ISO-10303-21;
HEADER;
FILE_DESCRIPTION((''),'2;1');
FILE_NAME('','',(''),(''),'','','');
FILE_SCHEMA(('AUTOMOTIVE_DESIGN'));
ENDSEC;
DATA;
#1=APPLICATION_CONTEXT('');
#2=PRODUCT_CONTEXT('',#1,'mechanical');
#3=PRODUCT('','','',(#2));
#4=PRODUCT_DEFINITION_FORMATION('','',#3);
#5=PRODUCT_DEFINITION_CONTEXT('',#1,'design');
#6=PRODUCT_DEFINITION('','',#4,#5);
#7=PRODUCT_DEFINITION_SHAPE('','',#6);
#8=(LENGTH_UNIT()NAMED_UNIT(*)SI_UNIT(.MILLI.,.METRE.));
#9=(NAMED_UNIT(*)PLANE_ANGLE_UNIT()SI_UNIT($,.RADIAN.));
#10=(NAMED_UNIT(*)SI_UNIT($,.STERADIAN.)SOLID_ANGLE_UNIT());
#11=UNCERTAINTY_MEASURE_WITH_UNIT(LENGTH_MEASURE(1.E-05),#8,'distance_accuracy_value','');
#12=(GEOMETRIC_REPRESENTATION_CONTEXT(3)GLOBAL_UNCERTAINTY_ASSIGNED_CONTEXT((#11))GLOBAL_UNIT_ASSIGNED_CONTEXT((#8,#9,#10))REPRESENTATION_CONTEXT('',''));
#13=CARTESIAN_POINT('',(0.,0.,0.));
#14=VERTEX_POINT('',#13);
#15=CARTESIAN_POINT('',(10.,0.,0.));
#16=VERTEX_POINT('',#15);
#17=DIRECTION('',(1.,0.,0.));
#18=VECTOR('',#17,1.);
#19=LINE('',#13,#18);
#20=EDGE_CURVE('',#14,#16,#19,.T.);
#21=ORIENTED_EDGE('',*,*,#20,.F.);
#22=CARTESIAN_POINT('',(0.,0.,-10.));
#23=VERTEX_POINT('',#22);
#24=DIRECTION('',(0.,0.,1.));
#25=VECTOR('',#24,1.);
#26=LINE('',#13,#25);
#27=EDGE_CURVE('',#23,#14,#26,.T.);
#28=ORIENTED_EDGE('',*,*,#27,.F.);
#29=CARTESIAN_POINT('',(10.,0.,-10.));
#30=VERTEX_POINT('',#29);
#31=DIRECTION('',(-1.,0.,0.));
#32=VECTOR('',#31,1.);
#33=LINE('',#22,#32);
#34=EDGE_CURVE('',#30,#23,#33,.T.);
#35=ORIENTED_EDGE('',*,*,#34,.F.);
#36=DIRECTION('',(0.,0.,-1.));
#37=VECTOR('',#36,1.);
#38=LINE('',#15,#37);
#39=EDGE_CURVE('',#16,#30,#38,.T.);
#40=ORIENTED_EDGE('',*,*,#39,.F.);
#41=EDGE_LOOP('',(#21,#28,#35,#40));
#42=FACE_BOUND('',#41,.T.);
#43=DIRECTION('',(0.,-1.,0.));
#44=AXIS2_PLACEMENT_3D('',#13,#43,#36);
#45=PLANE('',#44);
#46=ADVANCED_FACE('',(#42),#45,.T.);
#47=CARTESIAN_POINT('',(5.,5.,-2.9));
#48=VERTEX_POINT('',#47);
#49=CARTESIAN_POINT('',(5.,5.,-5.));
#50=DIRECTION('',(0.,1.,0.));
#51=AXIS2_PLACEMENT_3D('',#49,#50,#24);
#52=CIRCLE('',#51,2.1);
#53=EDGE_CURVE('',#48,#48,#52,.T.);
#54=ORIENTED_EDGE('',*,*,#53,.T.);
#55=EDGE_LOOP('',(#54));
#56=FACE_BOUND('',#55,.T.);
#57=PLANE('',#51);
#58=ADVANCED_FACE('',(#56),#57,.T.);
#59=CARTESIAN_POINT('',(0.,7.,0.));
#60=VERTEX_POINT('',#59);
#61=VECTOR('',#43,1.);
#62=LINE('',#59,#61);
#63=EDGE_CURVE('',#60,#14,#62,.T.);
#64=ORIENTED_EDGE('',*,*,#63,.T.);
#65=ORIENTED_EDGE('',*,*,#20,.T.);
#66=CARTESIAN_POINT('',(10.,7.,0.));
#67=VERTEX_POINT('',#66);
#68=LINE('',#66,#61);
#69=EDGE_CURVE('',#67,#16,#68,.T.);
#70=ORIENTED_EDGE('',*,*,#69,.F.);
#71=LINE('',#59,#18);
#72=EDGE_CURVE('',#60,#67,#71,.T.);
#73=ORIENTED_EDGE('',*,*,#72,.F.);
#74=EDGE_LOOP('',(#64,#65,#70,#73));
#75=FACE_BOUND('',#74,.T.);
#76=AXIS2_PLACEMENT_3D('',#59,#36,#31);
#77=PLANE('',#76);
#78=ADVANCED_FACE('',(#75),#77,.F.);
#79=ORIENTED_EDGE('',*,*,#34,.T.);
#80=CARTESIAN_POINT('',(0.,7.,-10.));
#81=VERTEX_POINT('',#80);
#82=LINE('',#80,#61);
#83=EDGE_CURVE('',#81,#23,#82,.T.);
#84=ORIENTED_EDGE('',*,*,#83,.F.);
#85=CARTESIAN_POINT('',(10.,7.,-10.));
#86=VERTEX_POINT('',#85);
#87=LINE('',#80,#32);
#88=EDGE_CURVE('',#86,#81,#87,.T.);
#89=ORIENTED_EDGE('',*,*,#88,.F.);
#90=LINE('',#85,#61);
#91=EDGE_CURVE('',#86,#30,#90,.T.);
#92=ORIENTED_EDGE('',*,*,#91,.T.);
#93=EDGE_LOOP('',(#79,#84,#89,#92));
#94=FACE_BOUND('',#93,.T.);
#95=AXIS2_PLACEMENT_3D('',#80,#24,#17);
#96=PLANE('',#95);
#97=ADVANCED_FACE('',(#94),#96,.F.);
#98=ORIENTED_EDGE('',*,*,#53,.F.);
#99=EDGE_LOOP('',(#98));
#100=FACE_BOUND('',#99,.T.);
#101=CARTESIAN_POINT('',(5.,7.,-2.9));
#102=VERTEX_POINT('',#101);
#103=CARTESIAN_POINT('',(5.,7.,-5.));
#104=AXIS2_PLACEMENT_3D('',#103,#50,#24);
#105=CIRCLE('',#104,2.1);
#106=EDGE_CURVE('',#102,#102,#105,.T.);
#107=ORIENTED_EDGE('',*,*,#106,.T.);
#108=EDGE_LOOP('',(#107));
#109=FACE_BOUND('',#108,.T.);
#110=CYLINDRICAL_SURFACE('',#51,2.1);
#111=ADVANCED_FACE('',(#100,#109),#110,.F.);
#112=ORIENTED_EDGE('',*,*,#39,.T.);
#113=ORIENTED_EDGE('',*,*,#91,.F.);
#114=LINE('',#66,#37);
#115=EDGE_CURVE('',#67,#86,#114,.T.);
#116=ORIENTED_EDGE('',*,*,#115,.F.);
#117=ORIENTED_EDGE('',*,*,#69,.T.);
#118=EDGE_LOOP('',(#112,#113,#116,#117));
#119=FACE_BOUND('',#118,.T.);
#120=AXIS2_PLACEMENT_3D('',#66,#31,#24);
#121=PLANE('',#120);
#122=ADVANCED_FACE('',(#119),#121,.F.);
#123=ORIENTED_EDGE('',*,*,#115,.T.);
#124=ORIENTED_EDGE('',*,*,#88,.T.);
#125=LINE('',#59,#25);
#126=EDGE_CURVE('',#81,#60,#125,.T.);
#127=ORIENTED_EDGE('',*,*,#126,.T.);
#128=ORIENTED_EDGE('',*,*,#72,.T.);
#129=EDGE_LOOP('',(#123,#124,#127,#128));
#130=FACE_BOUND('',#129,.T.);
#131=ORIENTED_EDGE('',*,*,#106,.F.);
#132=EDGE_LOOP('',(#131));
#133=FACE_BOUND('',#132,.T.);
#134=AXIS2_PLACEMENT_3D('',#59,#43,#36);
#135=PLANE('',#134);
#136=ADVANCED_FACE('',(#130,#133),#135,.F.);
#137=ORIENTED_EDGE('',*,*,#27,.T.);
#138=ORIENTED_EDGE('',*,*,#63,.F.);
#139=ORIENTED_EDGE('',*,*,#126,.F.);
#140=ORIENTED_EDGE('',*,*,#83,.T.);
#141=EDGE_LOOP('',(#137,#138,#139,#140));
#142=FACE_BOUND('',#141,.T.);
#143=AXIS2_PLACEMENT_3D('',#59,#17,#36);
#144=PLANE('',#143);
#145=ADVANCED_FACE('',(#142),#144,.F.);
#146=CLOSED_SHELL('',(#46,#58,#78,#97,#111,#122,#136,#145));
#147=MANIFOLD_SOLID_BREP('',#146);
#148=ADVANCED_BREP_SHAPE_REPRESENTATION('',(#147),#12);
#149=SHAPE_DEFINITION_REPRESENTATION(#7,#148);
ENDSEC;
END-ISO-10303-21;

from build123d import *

# Parameters (mm, degrees)
SKETCH1_W           = 10
SKETCH1_H           = 10
BOSS_EXTRUDE1_DEPTH = 7
SKETCH2_R           = 2.1
CUT_EXTRUDE1_DEPTH  = 2


with BuildPart() as part:
    # Sketch1 → Boss-Extrude1 (new body)
    with BuildSketch(Plane(origin=(0, 0, 0), x_dir=(1, 0, 0), z_dir=(0, 1, 0))):
        with Locations((5, 5)):
            Rectangle(SKETCH1_W, SKETCH1_H)
    extrude(amount=BOSS_EXTRUDE1_DEPTH)

    # Sketch2 → Cut-Extrude1 (cut)
    with BuildSketch(Plane(origin=(0, 7, 0), x_dir=(1, 0, 0), z_dir=(0, 1, 0))):
        with Locations(Location((5, 5, 0), (0, 0, 270))):
            Circle(SKETCH2_R)
    extrude(amount=-CUT_EXTRUDE1_DEPTH, mode=Mode.SUBTRACT)


solid = part.part
